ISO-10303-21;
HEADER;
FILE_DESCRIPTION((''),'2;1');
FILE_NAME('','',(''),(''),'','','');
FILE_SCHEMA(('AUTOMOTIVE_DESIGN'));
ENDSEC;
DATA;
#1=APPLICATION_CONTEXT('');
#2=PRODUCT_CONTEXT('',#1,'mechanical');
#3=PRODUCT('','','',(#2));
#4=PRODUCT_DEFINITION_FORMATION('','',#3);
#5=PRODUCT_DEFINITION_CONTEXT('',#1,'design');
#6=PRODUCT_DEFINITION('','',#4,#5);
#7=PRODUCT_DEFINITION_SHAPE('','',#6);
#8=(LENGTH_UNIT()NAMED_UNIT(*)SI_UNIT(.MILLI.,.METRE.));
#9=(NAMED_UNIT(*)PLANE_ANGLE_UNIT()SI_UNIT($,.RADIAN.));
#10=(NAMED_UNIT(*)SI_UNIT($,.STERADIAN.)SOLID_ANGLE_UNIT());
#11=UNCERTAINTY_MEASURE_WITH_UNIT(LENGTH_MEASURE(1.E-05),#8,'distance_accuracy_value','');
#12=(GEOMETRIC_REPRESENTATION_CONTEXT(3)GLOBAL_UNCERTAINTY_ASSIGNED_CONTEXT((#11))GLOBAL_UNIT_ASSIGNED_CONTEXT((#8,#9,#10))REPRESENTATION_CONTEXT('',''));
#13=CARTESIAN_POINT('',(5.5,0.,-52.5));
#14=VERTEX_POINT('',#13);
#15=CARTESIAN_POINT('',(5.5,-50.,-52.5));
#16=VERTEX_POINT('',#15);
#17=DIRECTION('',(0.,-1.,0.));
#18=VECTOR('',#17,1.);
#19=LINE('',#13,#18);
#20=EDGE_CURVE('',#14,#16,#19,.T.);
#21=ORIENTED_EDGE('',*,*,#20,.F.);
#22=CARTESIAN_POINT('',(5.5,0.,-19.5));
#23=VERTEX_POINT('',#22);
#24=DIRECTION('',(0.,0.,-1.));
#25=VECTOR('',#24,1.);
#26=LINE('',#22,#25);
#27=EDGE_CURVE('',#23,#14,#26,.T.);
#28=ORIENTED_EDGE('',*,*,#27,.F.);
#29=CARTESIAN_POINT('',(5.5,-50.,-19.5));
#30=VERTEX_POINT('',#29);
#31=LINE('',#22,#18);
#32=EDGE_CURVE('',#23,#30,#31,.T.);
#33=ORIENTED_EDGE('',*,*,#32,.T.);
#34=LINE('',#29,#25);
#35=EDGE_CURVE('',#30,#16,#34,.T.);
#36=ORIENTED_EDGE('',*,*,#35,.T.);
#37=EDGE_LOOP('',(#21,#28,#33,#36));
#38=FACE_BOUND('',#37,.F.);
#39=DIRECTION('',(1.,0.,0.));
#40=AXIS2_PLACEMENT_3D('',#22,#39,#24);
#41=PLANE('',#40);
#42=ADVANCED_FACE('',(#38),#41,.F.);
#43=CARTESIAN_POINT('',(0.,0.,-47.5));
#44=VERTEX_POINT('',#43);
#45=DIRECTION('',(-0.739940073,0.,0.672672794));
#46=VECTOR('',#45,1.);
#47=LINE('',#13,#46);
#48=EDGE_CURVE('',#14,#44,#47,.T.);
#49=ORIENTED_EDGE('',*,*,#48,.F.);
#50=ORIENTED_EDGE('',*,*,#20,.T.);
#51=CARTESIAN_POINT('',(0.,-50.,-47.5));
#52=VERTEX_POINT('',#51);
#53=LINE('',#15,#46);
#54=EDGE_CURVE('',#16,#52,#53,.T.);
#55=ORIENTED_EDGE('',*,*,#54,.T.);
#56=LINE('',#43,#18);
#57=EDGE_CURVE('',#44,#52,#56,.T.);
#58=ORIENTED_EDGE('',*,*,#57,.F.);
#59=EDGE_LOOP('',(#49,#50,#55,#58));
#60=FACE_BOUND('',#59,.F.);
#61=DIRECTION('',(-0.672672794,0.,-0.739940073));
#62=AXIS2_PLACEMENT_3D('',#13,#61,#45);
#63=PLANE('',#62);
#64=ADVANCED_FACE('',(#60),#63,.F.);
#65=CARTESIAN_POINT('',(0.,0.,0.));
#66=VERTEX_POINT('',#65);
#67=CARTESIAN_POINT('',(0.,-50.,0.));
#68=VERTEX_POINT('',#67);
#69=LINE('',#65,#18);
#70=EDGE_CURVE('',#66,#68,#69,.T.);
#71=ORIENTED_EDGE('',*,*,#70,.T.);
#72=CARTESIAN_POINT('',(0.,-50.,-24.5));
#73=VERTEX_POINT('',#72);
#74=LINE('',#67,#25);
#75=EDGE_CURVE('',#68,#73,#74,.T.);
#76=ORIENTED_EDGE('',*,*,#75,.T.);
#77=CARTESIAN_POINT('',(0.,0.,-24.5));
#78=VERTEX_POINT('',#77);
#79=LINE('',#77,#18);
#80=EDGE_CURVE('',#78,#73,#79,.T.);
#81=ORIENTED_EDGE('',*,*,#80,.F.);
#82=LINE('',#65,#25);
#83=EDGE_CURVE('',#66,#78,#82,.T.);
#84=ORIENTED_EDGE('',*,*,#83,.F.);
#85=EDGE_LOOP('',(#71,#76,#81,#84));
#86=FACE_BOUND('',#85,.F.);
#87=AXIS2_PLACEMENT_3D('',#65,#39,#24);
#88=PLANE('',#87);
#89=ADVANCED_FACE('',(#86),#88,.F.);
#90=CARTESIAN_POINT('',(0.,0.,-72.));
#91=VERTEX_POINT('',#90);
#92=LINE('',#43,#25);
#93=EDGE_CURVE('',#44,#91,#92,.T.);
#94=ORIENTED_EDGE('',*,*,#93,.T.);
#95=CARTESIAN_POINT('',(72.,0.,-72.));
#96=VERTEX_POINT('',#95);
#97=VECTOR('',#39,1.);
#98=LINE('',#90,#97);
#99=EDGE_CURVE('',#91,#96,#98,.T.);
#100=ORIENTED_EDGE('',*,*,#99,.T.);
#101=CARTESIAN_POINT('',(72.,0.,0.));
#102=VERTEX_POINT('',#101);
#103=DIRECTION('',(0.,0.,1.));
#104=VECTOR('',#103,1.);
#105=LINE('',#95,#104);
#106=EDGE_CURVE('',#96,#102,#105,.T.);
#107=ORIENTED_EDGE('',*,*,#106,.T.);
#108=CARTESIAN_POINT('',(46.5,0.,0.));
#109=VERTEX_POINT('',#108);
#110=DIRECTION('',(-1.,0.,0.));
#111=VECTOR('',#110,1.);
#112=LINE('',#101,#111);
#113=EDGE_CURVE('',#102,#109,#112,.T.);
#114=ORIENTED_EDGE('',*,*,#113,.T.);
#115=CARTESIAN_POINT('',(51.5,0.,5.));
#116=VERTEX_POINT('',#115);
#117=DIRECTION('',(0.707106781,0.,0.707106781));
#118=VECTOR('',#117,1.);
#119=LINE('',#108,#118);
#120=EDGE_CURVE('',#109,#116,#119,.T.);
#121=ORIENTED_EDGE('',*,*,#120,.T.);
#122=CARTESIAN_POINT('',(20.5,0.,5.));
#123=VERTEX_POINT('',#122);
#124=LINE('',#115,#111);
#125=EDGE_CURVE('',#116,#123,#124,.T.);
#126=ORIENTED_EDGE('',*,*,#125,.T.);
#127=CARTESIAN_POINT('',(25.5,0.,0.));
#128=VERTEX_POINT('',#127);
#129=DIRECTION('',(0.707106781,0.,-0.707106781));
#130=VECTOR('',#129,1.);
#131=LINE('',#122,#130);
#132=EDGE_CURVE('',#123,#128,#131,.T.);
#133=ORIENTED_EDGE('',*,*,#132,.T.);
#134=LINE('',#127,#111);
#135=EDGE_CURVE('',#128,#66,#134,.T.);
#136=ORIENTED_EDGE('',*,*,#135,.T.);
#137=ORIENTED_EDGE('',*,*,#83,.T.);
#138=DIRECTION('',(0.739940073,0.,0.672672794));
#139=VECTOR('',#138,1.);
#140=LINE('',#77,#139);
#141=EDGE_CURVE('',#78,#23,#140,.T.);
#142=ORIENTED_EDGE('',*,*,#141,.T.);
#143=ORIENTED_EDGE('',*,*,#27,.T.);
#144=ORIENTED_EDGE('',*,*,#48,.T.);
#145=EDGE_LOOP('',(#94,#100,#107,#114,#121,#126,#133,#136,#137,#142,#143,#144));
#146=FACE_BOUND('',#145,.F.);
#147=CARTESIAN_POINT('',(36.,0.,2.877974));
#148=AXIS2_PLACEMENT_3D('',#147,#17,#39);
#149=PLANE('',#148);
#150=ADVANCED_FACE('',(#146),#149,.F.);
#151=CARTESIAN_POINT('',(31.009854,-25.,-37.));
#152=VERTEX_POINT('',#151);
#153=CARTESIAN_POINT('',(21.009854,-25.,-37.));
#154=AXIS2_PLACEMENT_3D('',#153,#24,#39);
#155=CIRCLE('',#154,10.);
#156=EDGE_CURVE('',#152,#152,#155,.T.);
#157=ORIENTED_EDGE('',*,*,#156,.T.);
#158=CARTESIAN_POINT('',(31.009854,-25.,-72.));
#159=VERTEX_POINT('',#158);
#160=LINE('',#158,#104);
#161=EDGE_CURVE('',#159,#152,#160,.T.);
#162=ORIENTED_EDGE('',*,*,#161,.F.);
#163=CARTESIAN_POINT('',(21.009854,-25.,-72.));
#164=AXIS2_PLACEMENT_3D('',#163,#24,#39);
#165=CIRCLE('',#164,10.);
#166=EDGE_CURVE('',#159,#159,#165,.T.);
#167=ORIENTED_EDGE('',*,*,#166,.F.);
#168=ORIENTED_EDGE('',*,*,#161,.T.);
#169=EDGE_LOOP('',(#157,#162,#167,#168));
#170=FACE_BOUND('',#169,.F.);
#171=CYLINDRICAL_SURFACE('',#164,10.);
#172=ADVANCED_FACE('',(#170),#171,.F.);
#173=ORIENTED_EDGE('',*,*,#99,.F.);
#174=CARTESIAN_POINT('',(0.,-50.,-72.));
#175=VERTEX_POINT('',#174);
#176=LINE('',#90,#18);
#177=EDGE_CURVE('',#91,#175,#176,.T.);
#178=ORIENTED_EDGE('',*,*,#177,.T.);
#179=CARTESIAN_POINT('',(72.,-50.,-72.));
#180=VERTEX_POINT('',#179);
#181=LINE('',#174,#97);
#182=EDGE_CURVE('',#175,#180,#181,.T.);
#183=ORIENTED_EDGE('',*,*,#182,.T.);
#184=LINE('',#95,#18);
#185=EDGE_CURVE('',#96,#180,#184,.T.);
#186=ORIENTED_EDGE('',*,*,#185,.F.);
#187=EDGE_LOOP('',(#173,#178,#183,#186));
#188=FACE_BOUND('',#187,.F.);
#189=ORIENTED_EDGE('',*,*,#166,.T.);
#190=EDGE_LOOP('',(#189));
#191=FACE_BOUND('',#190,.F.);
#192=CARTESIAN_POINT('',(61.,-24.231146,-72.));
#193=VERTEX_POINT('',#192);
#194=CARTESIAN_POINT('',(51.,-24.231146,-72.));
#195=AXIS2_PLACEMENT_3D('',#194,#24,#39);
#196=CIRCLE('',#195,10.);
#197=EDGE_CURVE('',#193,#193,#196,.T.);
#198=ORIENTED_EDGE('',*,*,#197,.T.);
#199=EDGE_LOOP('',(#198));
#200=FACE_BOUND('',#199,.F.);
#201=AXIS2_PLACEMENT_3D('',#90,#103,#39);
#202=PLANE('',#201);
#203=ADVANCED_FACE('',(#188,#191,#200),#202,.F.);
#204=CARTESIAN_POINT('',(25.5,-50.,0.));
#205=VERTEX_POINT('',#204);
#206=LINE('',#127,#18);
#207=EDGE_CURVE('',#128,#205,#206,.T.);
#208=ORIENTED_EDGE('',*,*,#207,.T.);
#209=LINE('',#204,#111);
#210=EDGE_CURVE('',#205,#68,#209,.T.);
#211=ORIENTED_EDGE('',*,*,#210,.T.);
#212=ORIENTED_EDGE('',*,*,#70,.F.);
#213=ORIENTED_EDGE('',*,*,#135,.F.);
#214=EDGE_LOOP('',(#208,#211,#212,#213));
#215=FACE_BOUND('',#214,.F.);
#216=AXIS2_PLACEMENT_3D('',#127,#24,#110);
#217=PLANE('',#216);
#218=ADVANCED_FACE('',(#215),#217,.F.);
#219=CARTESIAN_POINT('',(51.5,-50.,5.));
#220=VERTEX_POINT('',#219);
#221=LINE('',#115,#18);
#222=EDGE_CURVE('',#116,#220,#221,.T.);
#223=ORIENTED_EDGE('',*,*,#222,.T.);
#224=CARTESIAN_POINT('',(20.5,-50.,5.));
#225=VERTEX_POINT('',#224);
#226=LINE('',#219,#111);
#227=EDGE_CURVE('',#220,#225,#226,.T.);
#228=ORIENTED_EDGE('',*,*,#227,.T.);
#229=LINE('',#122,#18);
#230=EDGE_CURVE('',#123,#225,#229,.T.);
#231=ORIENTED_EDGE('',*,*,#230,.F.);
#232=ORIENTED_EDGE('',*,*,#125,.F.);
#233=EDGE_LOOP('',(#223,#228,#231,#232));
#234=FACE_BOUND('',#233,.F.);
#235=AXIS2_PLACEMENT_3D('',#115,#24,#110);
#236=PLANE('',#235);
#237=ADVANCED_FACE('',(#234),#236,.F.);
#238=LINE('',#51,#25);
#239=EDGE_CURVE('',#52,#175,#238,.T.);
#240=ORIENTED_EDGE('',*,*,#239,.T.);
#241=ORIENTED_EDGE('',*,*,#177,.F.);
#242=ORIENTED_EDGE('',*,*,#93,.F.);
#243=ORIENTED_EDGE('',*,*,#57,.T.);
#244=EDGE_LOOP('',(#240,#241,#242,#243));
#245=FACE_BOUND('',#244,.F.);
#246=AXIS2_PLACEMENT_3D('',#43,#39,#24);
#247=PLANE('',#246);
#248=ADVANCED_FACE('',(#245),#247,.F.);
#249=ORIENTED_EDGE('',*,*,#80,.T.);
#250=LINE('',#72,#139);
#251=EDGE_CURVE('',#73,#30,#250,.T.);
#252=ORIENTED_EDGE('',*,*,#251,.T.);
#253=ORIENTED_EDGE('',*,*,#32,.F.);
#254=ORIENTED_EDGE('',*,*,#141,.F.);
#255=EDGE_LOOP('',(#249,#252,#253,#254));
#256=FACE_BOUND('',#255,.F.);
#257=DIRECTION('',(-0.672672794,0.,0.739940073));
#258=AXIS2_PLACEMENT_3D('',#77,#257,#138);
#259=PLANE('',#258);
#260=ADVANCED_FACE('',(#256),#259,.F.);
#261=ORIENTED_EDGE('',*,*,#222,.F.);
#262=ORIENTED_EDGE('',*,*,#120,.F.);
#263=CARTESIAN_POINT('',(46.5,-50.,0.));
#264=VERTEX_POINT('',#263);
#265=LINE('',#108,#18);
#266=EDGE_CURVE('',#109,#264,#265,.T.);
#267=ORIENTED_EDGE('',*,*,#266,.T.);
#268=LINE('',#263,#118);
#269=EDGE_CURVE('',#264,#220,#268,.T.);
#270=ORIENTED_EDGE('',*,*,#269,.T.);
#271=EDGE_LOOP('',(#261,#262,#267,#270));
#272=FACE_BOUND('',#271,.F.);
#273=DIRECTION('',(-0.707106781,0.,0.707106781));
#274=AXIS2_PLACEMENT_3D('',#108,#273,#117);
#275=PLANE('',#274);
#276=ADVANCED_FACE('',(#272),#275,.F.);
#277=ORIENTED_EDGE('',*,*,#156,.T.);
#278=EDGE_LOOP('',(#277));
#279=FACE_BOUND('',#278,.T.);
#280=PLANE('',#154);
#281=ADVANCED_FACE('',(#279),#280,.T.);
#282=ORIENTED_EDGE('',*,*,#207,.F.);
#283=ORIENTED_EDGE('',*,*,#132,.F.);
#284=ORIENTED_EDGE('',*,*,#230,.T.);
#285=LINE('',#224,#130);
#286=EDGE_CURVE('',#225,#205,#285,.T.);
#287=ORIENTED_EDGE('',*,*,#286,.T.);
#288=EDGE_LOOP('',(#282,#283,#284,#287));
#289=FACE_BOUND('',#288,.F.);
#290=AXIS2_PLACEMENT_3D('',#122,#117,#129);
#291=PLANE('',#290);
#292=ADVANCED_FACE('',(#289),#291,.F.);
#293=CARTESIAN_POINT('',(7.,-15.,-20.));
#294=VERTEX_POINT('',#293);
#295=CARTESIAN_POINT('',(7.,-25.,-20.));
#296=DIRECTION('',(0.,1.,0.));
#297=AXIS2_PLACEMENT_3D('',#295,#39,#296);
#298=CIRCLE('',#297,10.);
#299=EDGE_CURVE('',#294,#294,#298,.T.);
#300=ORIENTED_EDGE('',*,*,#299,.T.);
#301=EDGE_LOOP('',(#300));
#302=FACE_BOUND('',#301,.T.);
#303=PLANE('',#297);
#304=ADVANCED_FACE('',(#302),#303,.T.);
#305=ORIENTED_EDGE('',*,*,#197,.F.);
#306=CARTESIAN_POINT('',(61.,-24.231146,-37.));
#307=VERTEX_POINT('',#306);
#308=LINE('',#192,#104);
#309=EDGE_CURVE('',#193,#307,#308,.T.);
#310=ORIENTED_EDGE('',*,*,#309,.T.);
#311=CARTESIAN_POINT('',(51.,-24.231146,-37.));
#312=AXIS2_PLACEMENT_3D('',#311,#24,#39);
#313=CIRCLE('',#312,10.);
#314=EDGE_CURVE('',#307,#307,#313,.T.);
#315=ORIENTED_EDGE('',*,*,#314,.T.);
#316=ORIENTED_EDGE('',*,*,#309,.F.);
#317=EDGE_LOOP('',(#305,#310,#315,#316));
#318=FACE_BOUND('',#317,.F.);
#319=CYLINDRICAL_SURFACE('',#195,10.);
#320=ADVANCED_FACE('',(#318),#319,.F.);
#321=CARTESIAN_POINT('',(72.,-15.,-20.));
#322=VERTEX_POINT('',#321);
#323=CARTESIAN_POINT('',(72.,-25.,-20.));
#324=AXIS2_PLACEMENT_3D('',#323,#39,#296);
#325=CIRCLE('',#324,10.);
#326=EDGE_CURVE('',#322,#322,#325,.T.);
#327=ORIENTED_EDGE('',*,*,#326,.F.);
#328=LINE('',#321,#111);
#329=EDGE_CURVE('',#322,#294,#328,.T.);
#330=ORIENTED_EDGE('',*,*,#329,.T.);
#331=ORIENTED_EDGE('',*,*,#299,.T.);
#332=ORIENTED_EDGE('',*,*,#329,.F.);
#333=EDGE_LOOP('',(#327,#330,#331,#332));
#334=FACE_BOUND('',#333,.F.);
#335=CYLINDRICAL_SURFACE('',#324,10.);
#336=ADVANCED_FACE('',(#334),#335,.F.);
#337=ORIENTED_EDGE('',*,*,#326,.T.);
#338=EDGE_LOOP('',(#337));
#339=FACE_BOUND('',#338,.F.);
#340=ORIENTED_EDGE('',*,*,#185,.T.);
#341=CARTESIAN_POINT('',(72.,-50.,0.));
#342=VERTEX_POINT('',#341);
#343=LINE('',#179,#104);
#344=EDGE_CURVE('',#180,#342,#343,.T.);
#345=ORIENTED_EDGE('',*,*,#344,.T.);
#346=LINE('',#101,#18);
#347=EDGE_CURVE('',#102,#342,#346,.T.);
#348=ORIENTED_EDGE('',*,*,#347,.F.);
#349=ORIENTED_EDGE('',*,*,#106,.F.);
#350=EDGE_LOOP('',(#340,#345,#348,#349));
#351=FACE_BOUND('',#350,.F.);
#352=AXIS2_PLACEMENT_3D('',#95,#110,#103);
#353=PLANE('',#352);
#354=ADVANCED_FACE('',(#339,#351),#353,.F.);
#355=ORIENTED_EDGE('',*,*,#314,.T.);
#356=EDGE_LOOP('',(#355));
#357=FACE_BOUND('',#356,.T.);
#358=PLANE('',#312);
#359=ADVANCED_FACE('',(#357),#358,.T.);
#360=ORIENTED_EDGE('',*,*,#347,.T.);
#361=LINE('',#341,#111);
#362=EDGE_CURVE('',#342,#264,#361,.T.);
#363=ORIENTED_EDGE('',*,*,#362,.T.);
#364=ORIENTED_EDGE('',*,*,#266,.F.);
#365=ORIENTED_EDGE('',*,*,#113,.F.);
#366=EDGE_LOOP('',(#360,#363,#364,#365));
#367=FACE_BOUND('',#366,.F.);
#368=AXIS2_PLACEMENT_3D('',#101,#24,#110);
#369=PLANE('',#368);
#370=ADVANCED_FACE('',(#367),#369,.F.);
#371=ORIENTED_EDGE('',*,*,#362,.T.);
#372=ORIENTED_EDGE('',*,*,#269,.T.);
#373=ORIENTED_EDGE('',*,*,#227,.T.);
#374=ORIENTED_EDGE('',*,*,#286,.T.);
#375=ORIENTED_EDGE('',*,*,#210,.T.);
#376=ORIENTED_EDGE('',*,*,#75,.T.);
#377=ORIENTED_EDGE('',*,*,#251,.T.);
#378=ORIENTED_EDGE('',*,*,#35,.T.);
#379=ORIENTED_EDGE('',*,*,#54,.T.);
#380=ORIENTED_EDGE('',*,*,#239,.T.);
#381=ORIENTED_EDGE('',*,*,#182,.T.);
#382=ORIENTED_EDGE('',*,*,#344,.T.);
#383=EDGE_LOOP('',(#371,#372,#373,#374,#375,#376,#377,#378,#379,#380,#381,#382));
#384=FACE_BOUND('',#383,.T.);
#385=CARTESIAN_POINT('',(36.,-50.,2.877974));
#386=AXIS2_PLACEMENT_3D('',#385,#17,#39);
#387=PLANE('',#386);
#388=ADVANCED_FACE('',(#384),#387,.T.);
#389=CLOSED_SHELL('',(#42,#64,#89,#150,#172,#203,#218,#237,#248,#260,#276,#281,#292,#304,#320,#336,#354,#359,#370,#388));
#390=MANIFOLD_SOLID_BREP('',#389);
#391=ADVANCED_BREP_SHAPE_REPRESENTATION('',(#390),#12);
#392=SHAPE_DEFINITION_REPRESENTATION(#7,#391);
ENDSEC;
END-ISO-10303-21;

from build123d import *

# Parameters (mm, degrees)
F1_DEPTH = 50
F2_R     = 10
F3_DEPTH = 65
F4_R     = 10
F5_DEPTH = 35


with BuildPart() as f1:
    # F0 (on Front) → F1 (new body)
    with BuildSketch(Plane.XZ):
        Polygon((20.5, 5), (25.5, 0), (46.5, 0), (51.5, 5), align=None)
        Polygon((25.5, 0), (0, 0), (0, -24.5), (5.5, -19.5), (5.5, -52.5), (0, -47.5), (0, -72), (72, -72), (72, 0), (46.5, 0), align=None)
    extrude(amount=F1_DEPTH)

    # F2 (on face) → F3 (cut)
    with BuildSketch(Plane.YZ.offset(72)):
        with Locations((-25, -20)):
            Circle(F2_R)
    extrude(amount=-F3_DEPTH, mode=Mode.SUBTRACT)

    # F4 (on face) → F5 (cut)
    with BuildSketch(Plane(origin=(0, 0, -72), x_dir=(1, 0, 0), z_dir=(0, 0, -1))):
        with Locations((51, 24.231146)):
            Circle(F4_R)
        with Locations((21.009854, 25)):
            Circle(F4_R)
    extrude(amount=-F5_DEPTH, mode=Mode.SUBTRACT)


solid = f1.part
